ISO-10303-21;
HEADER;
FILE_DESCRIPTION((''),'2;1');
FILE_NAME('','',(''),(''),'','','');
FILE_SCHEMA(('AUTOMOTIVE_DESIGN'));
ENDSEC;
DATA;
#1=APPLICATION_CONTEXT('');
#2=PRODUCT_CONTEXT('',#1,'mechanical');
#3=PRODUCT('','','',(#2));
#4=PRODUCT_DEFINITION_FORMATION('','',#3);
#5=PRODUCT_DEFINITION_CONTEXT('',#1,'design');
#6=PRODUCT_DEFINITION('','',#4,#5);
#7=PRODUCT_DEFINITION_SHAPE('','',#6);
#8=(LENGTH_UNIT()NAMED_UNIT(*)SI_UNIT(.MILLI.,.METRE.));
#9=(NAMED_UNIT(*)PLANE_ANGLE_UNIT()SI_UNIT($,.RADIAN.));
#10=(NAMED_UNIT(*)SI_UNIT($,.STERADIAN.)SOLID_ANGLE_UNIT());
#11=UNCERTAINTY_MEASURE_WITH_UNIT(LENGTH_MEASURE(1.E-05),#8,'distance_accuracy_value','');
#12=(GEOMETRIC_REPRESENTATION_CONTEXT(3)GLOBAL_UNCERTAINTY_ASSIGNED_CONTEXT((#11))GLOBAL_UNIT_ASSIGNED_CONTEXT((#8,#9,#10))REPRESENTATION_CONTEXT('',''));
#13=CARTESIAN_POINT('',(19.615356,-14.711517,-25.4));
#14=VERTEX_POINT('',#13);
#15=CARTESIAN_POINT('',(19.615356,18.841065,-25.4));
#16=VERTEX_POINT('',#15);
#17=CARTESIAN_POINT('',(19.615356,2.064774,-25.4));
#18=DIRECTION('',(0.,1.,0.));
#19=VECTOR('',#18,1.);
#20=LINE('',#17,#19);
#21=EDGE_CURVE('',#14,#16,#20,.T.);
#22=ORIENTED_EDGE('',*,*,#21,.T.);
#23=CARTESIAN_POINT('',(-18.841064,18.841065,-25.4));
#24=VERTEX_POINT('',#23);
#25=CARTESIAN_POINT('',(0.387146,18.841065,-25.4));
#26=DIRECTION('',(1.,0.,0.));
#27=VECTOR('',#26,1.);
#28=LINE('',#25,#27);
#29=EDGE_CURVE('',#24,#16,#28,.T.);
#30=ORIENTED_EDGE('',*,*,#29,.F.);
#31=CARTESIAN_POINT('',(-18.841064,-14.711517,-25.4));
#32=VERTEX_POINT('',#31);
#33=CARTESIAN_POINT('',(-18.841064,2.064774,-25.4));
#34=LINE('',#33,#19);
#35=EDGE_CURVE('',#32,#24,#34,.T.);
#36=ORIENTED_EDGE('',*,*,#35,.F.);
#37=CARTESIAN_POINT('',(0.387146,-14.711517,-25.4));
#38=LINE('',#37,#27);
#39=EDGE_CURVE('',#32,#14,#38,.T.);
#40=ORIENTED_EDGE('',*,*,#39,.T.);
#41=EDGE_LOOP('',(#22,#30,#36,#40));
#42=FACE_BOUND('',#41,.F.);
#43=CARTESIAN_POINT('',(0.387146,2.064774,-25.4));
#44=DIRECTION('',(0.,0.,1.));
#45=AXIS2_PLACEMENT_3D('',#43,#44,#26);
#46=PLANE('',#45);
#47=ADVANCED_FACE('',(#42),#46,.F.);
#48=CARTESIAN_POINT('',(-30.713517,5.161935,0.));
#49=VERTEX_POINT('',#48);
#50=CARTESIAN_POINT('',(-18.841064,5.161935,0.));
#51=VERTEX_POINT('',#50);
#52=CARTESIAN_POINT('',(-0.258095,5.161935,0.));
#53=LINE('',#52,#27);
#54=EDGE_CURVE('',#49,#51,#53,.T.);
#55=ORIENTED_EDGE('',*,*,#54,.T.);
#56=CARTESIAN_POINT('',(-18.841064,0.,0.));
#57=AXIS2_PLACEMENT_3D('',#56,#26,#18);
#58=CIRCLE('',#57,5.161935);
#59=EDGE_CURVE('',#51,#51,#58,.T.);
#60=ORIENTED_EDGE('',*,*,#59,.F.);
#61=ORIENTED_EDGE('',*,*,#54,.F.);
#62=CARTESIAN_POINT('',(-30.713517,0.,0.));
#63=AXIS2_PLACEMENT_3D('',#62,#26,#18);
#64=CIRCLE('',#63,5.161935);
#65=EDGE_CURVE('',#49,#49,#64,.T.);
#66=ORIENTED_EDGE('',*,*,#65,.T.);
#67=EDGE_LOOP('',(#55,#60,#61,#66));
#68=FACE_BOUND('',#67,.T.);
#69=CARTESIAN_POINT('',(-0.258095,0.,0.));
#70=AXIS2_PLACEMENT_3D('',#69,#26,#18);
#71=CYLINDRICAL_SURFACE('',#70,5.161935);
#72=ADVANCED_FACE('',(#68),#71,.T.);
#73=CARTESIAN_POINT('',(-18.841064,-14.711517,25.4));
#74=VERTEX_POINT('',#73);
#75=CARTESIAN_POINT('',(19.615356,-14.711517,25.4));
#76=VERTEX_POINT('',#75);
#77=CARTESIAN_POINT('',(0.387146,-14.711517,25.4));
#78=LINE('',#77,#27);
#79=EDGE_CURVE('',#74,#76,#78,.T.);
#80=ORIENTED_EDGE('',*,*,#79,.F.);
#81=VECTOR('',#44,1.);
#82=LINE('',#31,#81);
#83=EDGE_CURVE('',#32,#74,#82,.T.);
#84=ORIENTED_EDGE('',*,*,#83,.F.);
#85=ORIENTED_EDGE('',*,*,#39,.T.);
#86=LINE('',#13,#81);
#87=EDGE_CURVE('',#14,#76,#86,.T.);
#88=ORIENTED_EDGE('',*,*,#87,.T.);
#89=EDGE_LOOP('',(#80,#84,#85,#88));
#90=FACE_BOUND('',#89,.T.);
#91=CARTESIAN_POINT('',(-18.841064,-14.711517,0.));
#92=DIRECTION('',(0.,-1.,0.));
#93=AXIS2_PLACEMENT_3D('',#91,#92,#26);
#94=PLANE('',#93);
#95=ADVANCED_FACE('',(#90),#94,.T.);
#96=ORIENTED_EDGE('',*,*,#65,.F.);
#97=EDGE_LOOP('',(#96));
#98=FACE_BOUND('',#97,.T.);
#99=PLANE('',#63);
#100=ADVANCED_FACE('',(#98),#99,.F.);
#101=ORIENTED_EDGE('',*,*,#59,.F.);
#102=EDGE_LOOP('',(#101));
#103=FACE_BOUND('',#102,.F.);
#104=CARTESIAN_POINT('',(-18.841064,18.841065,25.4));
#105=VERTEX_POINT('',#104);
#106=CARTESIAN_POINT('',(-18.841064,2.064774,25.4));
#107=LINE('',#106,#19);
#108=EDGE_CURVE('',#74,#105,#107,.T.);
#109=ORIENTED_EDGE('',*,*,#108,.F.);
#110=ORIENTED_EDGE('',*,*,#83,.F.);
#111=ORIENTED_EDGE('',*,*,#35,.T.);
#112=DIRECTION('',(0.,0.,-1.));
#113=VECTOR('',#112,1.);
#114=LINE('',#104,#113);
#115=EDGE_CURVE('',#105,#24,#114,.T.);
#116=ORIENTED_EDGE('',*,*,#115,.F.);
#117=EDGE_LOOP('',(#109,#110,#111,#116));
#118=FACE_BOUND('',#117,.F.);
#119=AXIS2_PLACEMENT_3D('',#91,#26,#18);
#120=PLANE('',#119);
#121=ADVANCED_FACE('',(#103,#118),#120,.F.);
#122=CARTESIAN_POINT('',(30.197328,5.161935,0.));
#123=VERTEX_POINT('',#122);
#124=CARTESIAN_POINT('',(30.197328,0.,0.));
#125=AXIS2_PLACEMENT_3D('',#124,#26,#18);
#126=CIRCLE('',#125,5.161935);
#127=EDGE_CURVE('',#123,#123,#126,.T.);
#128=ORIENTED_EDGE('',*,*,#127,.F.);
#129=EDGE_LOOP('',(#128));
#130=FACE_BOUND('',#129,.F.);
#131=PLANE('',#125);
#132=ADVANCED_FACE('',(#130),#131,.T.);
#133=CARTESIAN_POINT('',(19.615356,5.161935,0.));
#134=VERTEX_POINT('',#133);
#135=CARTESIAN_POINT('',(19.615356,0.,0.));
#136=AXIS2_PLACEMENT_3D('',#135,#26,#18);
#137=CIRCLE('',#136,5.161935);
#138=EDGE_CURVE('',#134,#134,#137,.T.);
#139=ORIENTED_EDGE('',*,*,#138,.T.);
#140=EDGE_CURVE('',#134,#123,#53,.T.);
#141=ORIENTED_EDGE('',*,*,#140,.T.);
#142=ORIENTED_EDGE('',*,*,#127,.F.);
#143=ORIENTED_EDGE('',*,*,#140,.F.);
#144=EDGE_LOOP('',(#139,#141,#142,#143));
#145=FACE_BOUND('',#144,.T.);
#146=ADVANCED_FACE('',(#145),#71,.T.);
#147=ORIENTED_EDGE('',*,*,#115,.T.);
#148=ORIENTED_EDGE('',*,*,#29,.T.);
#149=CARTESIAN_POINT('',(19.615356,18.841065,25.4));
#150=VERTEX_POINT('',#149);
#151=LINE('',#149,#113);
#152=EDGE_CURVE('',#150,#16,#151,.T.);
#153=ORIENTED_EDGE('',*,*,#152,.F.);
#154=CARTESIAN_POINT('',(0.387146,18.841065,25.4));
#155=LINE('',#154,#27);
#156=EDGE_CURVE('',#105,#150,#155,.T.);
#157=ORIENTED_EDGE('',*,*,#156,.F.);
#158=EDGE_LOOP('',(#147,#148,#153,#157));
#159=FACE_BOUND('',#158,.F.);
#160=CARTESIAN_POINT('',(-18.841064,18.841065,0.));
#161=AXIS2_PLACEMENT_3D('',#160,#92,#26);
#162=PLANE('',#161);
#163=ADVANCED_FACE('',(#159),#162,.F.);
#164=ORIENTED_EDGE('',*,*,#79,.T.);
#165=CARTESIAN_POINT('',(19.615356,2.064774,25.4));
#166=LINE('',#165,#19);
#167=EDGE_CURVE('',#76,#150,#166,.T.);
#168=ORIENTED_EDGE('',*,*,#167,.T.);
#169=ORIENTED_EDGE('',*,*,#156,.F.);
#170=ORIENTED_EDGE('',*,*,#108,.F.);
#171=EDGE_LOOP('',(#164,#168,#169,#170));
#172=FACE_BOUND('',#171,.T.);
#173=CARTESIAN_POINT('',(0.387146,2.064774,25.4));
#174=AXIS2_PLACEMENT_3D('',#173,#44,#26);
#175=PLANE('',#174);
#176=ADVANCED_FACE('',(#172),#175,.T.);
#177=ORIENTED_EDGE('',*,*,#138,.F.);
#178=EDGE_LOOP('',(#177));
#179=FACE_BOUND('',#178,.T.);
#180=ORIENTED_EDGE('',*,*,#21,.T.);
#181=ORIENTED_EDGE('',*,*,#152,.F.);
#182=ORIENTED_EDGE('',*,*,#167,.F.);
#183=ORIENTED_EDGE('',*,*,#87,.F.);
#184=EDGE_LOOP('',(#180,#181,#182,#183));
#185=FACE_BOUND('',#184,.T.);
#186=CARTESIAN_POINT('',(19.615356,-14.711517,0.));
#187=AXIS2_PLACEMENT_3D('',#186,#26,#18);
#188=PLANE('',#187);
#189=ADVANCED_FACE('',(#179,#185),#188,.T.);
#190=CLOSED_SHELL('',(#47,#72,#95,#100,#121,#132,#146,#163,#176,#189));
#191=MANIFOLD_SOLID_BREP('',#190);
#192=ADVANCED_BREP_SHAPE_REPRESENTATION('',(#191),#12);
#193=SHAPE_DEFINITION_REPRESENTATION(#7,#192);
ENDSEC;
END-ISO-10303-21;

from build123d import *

# Parameters (mm, degrees)
F0_W     = 38.4564194828
F0_H     = 33.5525823757
F1_DEPTH = 25.4
F2_W     = 60.9108451754
F2_H     = 5.1619354635


with BuildPart() as f1:
    # F0 (on Top) → F1 (new body, symmetric)
    with BuildSketch(Plane.XY):
        with Locations((0.3871461377, 2.0647742786)):
            Rectangle(F0_W, F0_H)
    extrude(amount=F1_DEPTH, both=True)

    # F2 (on Top) → F3 (revolve)
    with BuildSketch(Plane.XY):
        with Locations((-0.2580946311, 2.5809677318)):
            Rectangle(F2_W, F2_H)
    revolve(axis=Axis((-0.2580946311, 0, 0), (1, 0, 0)))


solid = f1.part
